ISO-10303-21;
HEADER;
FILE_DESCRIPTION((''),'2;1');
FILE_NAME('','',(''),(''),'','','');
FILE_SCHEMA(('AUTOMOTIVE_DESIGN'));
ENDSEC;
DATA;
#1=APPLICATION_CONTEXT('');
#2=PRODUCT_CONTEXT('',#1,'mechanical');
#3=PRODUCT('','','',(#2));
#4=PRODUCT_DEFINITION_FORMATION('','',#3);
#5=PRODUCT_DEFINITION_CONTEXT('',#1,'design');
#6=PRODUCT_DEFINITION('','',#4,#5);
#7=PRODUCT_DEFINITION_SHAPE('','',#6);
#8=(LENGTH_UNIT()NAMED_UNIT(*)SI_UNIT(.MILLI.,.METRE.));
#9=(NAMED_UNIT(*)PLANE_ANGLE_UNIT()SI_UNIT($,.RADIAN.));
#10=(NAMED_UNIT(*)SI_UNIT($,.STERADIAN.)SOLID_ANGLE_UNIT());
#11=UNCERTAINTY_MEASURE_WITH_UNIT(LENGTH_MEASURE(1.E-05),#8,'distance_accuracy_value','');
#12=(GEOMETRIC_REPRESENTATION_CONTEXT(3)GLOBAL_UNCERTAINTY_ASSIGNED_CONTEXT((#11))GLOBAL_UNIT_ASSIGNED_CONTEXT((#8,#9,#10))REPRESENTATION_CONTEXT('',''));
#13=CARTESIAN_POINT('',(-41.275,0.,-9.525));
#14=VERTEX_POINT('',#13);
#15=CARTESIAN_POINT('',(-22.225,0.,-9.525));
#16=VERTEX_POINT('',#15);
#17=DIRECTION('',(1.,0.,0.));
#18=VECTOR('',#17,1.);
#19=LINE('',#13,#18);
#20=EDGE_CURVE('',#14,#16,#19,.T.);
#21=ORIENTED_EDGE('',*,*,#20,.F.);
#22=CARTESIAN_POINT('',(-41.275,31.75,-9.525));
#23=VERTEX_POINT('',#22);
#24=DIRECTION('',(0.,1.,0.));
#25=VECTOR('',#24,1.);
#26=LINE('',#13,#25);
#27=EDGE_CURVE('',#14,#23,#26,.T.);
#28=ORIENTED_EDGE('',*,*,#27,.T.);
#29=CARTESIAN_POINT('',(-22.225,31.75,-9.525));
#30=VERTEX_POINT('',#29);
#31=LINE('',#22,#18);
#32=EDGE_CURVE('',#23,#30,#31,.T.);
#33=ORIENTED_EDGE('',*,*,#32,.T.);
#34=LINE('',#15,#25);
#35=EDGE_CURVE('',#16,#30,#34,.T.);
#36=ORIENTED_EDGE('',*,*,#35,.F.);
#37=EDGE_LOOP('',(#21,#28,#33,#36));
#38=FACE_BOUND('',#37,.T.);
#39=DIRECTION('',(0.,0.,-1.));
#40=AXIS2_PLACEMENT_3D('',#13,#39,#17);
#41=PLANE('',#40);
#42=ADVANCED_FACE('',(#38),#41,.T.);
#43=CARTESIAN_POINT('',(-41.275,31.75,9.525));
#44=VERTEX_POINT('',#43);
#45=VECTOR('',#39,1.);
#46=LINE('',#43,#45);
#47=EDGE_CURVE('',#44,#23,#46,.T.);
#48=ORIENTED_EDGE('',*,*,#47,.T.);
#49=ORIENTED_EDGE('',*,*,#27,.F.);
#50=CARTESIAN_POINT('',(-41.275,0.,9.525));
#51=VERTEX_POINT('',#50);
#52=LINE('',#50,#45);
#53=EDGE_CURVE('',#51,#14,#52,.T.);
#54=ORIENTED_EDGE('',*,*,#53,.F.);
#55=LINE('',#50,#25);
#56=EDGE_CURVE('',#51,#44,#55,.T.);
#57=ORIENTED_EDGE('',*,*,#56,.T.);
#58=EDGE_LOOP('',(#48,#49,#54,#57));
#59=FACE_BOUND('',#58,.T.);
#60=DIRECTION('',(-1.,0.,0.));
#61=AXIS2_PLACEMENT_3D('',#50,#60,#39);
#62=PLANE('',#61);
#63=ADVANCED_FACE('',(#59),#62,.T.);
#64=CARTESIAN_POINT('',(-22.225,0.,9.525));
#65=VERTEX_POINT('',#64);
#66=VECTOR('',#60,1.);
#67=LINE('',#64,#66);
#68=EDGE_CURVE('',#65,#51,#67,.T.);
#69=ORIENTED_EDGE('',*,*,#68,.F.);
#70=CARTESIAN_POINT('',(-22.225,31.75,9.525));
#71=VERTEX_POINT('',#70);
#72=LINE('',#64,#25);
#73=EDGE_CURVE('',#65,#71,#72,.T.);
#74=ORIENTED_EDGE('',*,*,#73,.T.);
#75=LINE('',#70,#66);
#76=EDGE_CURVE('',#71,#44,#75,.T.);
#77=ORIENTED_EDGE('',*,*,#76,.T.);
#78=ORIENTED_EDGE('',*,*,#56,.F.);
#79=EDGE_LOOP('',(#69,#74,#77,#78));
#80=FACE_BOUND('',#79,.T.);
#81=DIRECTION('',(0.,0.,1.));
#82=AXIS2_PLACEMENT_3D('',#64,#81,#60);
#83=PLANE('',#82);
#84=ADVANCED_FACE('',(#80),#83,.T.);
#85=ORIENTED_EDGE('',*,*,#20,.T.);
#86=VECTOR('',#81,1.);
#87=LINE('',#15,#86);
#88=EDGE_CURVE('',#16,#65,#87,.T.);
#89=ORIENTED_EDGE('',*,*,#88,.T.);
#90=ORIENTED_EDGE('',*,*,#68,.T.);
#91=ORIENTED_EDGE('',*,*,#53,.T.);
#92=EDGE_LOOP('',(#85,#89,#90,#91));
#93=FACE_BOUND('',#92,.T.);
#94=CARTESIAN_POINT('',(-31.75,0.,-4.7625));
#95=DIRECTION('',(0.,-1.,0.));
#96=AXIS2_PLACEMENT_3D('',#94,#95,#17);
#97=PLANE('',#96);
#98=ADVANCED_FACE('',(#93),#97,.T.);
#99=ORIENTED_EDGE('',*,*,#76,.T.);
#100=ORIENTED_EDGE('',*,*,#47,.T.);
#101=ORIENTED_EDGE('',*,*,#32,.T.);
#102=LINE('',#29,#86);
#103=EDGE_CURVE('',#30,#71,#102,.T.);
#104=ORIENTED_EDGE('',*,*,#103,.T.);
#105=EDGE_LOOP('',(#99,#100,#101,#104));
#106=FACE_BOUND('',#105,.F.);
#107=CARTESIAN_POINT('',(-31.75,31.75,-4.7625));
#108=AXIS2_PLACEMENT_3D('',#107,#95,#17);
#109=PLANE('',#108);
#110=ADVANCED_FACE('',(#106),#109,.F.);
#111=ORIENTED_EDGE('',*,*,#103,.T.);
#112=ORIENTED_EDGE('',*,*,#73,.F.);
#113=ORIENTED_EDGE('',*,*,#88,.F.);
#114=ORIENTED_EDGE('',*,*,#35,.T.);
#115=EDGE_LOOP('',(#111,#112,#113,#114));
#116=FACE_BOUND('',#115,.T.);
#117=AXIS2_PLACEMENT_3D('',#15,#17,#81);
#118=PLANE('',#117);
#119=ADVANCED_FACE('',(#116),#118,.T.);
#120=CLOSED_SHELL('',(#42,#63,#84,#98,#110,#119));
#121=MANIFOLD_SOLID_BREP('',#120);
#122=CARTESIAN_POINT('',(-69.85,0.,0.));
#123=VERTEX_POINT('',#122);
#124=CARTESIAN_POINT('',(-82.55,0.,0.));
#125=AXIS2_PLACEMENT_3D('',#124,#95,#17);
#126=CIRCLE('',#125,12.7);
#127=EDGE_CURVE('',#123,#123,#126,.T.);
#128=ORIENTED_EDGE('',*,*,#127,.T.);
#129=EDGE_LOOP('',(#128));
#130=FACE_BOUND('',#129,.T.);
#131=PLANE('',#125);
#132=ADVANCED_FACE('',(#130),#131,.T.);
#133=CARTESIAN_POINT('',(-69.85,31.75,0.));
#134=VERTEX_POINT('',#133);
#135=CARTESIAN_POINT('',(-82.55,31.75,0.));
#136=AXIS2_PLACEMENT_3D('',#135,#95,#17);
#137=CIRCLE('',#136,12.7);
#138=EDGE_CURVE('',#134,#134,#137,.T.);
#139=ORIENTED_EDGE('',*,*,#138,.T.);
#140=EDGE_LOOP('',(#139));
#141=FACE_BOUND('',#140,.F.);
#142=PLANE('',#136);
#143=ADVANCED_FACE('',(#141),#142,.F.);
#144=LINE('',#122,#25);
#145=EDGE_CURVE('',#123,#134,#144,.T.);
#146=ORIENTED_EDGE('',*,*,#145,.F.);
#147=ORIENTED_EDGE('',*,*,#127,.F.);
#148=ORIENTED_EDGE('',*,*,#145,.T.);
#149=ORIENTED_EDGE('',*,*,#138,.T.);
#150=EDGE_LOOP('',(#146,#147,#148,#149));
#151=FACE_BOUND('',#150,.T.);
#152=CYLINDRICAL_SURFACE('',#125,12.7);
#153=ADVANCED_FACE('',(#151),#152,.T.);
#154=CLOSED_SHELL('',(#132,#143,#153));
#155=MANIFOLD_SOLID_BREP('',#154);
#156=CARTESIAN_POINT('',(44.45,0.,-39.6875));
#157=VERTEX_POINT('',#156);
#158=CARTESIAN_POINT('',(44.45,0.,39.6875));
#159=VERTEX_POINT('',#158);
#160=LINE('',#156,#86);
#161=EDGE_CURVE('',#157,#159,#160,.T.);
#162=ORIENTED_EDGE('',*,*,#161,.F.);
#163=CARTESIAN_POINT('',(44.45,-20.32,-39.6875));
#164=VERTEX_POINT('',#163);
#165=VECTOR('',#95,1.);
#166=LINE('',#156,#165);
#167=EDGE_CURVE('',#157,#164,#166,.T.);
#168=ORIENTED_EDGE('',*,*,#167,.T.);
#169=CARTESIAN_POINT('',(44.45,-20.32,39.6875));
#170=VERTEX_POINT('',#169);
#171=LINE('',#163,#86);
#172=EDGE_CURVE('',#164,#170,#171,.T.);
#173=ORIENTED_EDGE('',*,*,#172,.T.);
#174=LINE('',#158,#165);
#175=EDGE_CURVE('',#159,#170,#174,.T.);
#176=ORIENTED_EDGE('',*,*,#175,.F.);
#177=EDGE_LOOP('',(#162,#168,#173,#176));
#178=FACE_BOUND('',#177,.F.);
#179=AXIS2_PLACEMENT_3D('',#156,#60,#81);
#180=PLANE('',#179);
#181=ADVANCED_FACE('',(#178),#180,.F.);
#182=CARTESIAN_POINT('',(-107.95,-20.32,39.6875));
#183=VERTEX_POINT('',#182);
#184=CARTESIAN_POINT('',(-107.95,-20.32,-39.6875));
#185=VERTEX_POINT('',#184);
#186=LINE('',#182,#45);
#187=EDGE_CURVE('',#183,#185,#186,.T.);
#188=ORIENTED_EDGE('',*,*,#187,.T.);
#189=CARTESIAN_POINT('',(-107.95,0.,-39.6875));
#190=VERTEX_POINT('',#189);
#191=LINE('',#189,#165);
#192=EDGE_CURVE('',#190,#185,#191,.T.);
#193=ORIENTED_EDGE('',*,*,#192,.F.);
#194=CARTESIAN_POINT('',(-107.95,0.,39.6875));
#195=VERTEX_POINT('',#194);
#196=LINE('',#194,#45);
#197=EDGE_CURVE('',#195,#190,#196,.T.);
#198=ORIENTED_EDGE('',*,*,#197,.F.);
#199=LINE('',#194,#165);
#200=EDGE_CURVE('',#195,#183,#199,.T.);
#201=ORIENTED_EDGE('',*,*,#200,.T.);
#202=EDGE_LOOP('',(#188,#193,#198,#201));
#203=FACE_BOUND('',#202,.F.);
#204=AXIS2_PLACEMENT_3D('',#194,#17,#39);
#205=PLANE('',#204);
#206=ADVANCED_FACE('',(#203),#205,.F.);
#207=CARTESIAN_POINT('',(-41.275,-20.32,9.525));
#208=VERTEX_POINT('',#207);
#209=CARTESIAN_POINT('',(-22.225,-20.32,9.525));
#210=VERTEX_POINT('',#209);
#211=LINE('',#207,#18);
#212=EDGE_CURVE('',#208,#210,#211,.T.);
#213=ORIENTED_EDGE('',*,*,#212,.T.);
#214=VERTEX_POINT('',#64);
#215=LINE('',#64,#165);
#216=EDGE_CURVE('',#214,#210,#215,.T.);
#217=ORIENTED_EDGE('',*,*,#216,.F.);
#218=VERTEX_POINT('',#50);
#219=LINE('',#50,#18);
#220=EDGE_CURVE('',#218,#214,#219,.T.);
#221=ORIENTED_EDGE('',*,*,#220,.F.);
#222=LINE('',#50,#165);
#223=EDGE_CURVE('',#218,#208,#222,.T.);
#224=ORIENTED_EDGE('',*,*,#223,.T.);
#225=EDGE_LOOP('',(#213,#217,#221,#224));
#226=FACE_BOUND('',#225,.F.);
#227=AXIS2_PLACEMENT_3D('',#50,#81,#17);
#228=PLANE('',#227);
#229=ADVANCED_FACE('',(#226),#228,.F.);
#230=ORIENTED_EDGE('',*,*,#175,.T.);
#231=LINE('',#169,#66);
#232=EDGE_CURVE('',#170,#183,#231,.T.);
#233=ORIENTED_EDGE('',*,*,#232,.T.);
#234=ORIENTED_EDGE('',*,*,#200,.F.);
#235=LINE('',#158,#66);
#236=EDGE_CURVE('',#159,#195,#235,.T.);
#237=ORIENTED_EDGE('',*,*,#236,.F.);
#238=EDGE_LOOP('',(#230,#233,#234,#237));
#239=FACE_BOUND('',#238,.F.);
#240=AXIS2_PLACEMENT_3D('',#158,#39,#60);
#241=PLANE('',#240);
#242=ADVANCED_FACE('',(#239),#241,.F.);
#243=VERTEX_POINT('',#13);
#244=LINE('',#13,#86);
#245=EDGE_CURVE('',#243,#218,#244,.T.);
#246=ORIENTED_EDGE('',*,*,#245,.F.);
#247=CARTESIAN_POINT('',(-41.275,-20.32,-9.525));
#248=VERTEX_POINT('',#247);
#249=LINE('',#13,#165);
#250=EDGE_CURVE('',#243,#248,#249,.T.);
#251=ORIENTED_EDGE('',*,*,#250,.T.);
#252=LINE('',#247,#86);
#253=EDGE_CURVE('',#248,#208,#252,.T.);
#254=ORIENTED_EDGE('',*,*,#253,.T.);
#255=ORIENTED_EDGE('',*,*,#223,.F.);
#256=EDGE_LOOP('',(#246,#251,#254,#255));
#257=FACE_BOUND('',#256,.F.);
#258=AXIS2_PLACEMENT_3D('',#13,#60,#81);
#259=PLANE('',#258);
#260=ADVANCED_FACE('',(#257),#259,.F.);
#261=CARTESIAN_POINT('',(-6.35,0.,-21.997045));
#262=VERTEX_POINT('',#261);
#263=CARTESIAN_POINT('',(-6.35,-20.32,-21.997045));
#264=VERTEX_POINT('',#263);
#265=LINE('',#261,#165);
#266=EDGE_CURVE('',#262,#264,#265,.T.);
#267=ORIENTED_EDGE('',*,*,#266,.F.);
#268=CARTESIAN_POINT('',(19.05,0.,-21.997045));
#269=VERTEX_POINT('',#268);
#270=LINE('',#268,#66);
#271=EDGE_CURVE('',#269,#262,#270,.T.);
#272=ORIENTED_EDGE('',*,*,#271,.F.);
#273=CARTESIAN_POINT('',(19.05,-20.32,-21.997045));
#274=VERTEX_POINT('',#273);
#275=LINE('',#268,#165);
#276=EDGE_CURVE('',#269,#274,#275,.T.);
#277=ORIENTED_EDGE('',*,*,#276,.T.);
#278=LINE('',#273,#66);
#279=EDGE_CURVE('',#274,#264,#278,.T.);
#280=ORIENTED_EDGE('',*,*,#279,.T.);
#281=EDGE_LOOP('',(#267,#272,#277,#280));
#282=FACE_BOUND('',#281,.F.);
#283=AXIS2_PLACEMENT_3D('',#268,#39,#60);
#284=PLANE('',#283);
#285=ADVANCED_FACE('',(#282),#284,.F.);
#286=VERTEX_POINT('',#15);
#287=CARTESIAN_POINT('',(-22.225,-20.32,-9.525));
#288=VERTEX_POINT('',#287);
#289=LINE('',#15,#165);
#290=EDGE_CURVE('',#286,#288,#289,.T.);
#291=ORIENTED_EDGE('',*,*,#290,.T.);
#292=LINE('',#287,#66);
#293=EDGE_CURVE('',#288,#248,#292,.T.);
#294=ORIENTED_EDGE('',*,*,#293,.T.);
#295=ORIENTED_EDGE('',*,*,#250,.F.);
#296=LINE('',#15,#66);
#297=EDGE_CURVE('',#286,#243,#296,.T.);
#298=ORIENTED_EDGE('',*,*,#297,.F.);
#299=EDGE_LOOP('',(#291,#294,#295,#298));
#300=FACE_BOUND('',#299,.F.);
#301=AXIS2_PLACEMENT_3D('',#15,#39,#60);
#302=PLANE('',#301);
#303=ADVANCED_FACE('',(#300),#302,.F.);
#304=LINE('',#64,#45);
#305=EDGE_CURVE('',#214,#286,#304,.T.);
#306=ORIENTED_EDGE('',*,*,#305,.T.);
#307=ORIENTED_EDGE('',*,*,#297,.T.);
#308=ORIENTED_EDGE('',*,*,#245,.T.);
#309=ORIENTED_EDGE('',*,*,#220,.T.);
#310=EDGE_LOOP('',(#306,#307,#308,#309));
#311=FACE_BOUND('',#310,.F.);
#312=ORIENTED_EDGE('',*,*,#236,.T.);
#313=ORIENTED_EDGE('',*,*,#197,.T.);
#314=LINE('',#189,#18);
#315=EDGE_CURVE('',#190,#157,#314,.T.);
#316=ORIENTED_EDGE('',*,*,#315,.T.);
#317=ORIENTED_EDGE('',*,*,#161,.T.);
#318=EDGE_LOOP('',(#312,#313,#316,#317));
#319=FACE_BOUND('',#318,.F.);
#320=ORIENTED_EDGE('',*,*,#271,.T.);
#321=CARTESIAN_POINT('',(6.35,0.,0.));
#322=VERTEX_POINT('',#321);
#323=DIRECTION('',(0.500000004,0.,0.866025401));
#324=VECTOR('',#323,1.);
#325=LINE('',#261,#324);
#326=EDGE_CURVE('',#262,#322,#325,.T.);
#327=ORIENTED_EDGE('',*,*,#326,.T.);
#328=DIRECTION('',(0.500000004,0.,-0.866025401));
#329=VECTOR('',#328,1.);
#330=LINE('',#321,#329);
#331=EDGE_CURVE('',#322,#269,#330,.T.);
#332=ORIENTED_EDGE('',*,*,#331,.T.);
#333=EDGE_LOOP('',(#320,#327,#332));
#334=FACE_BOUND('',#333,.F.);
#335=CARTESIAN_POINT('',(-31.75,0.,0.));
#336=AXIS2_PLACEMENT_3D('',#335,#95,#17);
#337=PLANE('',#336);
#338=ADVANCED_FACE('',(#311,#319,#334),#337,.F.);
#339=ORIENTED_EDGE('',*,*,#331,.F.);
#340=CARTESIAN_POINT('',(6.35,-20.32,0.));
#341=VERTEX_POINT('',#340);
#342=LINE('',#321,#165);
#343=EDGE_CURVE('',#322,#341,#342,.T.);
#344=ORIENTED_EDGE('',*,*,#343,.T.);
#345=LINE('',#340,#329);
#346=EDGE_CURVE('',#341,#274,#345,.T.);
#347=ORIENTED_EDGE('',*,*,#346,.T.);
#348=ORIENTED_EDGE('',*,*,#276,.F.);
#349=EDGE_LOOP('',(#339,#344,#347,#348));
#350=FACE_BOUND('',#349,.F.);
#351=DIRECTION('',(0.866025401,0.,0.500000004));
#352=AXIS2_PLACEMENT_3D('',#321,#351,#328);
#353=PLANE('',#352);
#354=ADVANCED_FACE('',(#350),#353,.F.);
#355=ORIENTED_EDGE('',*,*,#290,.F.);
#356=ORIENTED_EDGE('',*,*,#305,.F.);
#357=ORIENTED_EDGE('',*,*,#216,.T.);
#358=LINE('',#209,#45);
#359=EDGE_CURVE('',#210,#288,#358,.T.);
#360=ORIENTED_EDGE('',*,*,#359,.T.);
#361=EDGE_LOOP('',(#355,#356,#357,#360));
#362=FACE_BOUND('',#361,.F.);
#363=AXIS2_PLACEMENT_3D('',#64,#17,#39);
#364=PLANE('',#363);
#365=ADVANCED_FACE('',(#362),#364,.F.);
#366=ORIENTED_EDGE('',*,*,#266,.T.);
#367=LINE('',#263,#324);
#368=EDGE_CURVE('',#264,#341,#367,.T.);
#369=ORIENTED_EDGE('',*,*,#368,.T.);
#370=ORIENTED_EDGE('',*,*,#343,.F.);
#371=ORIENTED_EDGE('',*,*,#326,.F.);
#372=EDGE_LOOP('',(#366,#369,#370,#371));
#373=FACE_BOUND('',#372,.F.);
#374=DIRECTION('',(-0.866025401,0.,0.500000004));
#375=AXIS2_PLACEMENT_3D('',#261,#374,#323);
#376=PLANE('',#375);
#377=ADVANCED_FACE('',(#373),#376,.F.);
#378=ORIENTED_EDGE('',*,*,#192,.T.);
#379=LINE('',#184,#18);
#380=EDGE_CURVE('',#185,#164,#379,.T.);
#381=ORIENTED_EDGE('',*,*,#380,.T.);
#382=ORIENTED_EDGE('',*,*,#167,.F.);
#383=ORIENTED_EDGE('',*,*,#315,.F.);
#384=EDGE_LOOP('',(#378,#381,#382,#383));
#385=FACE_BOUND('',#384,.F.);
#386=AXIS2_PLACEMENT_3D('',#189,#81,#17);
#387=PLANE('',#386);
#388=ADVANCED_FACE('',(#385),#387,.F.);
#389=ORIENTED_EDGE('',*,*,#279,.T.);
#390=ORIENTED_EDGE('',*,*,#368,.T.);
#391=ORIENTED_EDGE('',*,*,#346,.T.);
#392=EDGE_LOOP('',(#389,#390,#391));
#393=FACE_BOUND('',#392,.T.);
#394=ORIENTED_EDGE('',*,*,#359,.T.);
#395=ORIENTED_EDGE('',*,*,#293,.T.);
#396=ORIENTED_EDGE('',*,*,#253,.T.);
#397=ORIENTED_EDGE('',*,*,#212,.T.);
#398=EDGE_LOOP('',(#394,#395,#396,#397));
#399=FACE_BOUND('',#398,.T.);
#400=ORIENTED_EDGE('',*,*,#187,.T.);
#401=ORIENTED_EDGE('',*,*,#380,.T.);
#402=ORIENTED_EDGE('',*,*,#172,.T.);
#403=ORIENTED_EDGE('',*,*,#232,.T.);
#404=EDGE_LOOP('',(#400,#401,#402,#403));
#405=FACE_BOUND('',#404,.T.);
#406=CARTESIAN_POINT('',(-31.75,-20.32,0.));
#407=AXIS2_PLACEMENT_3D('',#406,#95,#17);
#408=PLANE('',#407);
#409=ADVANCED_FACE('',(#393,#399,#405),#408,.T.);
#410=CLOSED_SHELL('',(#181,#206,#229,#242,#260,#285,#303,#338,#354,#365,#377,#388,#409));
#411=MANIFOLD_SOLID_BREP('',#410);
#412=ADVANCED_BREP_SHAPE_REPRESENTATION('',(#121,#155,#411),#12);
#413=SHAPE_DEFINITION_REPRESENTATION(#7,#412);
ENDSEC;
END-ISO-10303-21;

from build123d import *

# Parameters (mm, degrees)
F0_R     = 12.7
F1_DEPTH = 20.32
F2_DEPTH = 31.75


with BuildPart() as f1:
    # F0 (on Front) → F1 (new body)
    with BuildSketch(Plane.XZ):
        Polygon((44.45, -39.6875), (44.45, 0), (44.45, 39.6875), (-107.95, 39.6875), (-107.95, -39.6875), align=None)
        Polygon((-6.35, -21.997045), (6.35, 0), (19.05, -21.997045), align=None, mode=Mode.SUBTRACT)
        with Locations((-82.55, 0)):
            Circle(F0_R, mode=Mode.SUBTRACT)
        Polygon((-22.225, 9.525), (-22.225, 0), (-22.225, -9.525), (-41.275, -9.525), (-41.275, 0), (-41.275, 9.525), align=None, mode=Mode.SUBTRACT)
        with Locations((-82.55, 0)):
            Circle(F0_R)
    extrude(amount=F1_DEPTH)


with BuildPart() as f2:
    # F0 (on Front) → F2 (new body)
    with BuildSketch(Plane.XZ):
        with Locations((-82.55, 0)):
            Circle(F0_R)
        Polygon((-22.225, -9.525), (-22.225, 0), (-31.75, 0), (-41.275, 0), (-41.275, -9.525), align=None)
        Polygon((-31.75, 0), (-22.225, 0), (-22.225, 9.525), (-41.275, 9.525), (-41.275, 0), align=None)
    extrude(amount=-F2_DEPTH)


solid = Compound([f1.part, f2.part])
